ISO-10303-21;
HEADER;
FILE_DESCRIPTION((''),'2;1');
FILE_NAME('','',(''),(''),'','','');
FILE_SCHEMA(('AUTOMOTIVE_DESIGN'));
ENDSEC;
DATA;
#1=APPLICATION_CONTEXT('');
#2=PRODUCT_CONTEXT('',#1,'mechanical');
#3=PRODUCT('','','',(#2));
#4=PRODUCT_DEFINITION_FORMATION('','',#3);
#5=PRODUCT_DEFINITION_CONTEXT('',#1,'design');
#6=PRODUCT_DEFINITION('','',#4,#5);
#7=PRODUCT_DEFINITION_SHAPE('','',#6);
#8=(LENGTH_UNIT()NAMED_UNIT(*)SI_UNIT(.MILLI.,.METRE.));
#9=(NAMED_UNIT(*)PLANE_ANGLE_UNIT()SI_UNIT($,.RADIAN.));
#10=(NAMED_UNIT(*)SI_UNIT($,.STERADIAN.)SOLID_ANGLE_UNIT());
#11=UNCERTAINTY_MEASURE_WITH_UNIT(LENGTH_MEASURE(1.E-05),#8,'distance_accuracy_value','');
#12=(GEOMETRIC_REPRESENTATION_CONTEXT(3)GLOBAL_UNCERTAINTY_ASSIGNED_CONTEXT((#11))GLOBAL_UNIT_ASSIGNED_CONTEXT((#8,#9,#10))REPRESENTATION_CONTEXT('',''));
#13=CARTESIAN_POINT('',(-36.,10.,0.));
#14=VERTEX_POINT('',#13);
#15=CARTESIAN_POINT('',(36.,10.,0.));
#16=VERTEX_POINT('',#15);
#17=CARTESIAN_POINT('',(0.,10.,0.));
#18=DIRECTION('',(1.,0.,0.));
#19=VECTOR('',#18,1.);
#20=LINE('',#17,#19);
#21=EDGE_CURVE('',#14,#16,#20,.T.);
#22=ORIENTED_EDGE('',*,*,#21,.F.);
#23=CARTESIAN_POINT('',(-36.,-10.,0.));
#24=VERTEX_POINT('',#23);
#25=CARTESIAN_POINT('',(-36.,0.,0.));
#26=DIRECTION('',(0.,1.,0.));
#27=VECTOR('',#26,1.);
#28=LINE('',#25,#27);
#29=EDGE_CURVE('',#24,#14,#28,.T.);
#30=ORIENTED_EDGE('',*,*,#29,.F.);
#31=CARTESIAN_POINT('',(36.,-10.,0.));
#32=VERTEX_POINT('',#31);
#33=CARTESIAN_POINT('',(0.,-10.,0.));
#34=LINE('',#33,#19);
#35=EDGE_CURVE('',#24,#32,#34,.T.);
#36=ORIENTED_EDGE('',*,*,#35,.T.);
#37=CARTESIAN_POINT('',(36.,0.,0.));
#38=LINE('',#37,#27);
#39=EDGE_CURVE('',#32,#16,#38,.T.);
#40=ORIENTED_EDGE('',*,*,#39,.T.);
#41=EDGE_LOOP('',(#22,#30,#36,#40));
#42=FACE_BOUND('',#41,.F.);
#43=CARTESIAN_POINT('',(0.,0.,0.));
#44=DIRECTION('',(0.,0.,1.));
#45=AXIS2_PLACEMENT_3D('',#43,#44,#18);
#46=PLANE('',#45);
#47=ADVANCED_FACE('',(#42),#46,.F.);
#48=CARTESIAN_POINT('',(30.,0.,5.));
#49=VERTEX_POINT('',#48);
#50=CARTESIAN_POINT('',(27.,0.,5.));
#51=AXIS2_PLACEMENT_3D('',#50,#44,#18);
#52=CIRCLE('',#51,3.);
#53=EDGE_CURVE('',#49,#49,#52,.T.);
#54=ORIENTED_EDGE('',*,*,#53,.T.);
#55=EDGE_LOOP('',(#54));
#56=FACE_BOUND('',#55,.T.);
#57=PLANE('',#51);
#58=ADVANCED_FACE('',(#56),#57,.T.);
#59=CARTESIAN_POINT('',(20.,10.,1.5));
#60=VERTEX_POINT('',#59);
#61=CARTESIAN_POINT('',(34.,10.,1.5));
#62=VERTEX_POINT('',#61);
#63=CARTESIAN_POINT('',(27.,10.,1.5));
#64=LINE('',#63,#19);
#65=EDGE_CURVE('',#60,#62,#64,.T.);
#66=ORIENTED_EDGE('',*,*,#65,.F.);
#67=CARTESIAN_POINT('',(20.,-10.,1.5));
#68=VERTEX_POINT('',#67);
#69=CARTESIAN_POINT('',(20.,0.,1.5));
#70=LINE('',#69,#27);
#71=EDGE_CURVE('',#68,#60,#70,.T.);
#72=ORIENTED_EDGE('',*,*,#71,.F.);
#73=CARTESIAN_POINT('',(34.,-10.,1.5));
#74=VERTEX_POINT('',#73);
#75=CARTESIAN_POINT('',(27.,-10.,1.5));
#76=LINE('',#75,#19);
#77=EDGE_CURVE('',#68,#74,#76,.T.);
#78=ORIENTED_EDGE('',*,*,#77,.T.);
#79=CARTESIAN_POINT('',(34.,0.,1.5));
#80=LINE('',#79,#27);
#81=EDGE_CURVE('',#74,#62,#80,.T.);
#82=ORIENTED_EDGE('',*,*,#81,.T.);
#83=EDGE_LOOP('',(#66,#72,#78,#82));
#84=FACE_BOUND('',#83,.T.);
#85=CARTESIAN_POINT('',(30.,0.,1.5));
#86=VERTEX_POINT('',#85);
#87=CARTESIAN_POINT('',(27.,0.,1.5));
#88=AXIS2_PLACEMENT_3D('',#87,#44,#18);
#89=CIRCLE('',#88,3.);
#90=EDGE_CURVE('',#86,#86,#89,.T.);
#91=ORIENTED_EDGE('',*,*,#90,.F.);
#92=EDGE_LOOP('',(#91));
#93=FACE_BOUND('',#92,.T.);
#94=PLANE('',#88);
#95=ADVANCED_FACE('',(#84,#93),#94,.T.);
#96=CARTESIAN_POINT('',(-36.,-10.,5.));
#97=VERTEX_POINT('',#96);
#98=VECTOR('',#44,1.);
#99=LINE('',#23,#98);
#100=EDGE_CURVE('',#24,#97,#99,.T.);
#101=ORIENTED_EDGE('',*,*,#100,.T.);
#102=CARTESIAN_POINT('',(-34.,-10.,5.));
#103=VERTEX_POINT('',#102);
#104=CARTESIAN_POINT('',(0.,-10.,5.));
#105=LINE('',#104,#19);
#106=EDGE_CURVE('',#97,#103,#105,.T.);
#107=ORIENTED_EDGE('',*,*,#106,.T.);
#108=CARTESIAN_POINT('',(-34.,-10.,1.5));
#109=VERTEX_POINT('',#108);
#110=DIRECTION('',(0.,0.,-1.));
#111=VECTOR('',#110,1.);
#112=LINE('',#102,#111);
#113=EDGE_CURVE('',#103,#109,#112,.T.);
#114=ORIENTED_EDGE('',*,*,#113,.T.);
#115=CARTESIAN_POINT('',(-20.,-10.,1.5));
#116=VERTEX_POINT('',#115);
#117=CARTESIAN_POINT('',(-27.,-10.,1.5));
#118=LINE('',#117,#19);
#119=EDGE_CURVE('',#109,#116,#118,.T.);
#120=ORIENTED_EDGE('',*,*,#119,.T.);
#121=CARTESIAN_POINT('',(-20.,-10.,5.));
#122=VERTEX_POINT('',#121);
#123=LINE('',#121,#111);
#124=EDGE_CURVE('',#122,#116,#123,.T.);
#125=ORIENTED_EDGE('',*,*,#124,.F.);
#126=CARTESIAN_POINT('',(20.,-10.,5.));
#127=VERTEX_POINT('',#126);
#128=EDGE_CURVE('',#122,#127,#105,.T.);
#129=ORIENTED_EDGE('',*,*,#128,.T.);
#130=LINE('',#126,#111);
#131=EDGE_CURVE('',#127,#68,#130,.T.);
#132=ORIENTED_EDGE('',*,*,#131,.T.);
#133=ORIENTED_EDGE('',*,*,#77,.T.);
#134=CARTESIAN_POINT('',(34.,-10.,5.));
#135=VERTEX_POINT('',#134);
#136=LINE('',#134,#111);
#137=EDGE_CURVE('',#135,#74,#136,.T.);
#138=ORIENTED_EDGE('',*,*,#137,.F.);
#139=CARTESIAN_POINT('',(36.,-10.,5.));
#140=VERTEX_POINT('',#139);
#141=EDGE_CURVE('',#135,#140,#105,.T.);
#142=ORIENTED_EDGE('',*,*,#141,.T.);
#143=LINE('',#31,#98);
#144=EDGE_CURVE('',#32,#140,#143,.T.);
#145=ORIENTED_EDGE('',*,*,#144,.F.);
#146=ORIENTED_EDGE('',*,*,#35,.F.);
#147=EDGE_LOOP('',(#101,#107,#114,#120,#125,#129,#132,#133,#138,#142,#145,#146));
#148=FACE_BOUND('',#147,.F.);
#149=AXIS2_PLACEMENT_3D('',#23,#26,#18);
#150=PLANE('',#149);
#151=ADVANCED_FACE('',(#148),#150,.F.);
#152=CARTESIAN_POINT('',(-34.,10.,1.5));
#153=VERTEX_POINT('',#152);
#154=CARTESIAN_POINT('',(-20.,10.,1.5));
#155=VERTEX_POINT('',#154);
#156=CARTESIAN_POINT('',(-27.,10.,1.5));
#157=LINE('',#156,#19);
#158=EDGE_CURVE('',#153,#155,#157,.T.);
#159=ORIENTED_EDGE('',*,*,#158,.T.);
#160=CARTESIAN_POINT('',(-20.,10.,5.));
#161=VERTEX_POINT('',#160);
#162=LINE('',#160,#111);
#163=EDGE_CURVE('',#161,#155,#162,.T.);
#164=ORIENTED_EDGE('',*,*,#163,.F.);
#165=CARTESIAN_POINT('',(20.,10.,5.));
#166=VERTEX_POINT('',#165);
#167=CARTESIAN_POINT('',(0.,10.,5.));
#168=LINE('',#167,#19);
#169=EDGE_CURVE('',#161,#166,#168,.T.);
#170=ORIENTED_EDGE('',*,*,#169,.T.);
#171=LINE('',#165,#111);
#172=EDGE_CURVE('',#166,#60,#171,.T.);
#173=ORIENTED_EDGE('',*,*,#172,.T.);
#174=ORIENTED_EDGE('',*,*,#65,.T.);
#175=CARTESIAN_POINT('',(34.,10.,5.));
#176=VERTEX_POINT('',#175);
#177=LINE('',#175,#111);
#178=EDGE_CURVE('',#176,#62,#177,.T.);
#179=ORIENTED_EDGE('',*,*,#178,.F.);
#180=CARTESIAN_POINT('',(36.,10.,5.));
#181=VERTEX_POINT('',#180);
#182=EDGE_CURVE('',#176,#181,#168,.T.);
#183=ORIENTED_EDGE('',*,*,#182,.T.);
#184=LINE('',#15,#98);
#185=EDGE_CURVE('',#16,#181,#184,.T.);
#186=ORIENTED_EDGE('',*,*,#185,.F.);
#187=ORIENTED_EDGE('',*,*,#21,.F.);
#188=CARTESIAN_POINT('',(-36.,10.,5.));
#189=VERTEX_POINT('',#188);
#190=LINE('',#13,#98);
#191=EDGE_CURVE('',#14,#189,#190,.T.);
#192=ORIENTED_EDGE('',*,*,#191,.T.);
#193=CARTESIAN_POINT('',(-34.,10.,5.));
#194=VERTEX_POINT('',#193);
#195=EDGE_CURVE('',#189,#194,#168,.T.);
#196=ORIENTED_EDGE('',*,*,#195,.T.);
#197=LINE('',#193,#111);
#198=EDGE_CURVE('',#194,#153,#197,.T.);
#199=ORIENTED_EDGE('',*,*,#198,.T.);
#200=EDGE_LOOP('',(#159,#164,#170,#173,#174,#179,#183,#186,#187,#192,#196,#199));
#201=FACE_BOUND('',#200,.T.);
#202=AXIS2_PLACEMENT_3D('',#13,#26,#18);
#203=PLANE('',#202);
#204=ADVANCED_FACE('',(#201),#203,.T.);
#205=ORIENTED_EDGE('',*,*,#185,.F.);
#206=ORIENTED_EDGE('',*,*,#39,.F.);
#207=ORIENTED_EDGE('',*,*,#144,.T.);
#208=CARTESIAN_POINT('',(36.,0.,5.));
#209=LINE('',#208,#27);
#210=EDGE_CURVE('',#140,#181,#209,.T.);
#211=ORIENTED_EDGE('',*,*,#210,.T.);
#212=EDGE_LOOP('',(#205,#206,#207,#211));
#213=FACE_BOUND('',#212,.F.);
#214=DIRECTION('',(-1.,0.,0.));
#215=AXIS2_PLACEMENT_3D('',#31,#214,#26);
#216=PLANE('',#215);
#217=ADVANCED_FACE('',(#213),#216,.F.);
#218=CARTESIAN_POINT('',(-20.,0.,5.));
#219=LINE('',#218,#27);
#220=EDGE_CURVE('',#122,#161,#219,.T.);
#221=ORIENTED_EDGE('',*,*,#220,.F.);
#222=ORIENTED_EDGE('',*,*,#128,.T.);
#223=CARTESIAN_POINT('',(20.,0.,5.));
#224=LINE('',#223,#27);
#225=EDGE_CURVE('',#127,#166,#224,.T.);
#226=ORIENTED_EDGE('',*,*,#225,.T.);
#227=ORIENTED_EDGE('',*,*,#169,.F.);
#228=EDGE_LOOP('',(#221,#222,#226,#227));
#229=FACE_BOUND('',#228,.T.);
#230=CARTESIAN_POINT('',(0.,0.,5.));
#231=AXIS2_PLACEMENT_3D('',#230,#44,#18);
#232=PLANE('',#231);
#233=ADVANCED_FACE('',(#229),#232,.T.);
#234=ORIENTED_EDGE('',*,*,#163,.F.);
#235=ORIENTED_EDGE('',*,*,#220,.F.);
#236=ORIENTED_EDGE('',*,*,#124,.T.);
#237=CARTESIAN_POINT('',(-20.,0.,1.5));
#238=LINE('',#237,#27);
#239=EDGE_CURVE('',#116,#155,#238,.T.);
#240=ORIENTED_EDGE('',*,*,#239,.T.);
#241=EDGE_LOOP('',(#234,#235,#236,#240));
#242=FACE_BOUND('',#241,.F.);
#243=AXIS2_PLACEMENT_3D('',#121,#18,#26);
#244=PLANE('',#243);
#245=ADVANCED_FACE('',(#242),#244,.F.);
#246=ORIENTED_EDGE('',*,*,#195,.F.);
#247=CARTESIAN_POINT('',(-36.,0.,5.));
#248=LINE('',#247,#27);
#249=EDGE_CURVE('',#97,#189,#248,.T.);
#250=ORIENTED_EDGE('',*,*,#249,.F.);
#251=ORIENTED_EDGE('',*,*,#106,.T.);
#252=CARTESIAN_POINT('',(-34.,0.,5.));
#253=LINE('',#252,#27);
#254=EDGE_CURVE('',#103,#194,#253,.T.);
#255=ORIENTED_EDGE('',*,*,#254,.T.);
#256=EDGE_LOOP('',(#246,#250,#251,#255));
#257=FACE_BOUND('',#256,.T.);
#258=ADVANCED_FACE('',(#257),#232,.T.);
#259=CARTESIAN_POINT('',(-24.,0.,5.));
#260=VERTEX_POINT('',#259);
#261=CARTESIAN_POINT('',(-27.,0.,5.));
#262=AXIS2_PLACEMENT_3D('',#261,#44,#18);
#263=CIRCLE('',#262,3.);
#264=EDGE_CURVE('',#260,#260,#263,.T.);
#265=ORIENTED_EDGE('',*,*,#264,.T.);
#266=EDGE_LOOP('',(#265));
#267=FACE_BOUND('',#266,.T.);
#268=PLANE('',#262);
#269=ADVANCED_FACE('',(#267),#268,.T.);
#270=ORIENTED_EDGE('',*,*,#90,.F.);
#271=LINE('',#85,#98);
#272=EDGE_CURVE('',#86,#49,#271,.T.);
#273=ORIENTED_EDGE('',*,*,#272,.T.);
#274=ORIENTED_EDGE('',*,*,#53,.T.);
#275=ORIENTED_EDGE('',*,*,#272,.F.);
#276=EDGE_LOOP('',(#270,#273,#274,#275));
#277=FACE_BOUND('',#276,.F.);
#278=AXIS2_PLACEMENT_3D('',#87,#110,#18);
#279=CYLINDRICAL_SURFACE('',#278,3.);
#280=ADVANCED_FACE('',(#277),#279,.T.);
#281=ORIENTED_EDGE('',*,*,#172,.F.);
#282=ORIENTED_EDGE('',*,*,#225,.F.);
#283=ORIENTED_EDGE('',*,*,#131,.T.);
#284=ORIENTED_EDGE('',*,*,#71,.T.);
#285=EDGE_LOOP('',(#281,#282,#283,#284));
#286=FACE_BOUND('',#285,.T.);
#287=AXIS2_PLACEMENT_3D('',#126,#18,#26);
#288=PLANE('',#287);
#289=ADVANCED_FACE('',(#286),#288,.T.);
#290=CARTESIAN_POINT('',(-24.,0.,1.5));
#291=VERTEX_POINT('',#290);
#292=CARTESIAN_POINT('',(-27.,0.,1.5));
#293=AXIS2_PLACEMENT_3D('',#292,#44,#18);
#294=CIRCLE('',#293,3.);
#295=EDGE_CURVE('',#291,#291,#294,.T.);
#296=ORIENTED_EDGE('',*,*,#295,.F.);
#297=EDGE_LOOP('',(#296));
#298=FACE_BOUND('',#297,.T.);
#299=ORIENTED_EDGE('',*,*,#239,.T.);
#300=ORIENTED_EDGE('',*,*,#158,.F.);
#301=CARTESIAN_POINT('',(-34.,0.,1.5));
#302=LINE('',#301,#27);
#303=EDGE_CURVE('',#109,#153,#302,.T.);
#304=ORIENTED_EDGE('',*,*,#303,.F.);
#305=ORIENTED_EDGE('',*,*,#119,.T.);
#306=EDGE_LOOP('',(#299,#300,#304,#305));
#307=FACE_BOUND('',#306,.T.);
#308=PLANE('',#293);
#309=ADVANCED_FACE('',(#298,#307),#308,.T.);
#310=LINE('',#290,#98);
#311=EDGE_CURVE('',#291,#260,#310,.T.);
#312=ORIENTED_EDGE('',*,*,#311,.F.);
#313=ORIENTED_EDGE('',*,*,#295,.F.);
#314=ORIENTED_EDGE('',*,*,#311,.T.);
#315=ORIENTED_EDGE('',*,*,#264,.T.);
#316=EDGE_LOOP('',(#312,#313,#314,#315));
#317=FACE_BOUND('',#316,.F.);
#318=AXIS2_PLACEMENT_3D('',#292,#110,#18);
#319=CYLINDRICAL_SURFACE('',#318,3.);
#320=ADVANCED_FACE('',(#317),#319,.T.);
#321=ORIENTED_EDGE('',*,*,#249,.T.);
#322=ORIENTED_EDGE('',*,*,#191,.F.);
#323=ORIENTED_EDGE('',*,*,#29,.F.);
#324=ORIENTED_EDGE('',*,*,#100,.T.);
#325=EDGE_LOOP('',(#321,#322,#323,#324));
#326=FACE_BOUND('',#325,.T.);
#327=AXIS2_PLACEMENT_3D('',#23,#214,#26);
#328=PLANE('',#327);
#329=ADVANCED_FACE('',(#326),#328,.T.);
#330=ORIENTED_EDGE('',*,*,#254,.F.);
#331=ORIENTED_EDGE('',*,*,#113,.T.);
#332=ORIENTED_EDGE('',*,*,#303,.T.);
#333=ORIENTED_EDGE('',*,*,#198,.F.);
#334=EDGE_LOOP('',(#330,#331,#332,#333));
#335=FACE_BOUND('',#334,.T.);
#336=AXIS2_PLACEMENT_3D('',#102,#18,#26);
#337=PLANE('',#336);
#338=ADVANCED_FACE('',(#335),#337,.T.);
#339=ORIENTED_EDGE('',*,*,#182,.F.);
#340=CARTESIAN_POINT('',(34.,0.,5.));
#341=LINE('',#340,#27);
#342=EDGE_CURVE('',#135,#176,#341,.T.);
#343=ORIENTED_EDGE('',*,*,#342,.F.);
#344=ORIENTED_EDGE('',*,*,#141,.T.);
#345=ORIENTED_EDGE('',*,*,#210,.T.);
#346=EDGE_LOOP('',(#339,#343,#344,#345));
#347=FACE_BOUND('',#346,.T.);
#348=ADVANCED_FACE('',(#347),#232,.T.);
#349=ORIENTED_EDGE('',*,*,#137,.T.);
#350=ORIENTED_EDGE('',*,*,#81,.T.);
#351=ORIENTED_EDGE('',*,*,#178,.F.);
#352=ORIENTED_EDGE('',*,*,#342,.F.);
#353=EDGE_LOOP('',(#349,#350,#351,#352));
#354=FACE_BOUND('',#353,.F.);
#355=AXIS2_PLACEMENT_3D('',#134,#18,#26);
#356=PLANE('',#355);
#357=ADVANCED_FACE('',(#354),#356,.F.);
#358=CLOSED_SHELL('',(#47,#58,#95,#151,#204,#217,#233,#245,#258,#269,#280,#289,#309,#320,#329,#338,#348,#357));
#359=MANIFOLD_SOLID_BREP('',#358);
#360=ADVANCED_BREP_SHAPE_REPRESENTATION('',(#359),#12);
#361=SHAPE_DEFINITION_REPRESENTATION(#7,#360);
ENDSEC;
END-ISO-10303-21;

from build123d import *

# Parameters (mm, degrees)
F0_W     = 72
F0_H     = 20
F1_DEPTH = 5
F2_W     = 14
F2_H     = 20
F3_DEPTH = 3.5
F4_R     = 3
F5_DEPTH = 3.5


with BuildPart() as f1:
    # F0 (on Top) → F1 (new body)
    with BuildSketch(Plane.XY):
        Rectangle(F0_W, F0_H)
    extrude(amount=F1_DEPTH)

    # F2 (on face) → F3 (cut)
    with BuildSketch(Plane.XY.offset(5)):
        with Locations((27, 0)):
            Rectangle(F2_W, F2_H)
        with Locations((-27, 0)):
            Rectangle(F2_W, F2_H)
    extrude(amount=-F3_DEPTH, mode=Mode.SUBTRACT)

    # F4 (on face) → F5 (join)
    with BuildSketch(Plane.XY.offset(1.5)):
        with Locations((-27, 0)):
            Circle(F4_R)
        with Locations((27, 0)):
            Circle(F4_R)
    extrude(amount=F5_DEPTH)


solid = f1.part
